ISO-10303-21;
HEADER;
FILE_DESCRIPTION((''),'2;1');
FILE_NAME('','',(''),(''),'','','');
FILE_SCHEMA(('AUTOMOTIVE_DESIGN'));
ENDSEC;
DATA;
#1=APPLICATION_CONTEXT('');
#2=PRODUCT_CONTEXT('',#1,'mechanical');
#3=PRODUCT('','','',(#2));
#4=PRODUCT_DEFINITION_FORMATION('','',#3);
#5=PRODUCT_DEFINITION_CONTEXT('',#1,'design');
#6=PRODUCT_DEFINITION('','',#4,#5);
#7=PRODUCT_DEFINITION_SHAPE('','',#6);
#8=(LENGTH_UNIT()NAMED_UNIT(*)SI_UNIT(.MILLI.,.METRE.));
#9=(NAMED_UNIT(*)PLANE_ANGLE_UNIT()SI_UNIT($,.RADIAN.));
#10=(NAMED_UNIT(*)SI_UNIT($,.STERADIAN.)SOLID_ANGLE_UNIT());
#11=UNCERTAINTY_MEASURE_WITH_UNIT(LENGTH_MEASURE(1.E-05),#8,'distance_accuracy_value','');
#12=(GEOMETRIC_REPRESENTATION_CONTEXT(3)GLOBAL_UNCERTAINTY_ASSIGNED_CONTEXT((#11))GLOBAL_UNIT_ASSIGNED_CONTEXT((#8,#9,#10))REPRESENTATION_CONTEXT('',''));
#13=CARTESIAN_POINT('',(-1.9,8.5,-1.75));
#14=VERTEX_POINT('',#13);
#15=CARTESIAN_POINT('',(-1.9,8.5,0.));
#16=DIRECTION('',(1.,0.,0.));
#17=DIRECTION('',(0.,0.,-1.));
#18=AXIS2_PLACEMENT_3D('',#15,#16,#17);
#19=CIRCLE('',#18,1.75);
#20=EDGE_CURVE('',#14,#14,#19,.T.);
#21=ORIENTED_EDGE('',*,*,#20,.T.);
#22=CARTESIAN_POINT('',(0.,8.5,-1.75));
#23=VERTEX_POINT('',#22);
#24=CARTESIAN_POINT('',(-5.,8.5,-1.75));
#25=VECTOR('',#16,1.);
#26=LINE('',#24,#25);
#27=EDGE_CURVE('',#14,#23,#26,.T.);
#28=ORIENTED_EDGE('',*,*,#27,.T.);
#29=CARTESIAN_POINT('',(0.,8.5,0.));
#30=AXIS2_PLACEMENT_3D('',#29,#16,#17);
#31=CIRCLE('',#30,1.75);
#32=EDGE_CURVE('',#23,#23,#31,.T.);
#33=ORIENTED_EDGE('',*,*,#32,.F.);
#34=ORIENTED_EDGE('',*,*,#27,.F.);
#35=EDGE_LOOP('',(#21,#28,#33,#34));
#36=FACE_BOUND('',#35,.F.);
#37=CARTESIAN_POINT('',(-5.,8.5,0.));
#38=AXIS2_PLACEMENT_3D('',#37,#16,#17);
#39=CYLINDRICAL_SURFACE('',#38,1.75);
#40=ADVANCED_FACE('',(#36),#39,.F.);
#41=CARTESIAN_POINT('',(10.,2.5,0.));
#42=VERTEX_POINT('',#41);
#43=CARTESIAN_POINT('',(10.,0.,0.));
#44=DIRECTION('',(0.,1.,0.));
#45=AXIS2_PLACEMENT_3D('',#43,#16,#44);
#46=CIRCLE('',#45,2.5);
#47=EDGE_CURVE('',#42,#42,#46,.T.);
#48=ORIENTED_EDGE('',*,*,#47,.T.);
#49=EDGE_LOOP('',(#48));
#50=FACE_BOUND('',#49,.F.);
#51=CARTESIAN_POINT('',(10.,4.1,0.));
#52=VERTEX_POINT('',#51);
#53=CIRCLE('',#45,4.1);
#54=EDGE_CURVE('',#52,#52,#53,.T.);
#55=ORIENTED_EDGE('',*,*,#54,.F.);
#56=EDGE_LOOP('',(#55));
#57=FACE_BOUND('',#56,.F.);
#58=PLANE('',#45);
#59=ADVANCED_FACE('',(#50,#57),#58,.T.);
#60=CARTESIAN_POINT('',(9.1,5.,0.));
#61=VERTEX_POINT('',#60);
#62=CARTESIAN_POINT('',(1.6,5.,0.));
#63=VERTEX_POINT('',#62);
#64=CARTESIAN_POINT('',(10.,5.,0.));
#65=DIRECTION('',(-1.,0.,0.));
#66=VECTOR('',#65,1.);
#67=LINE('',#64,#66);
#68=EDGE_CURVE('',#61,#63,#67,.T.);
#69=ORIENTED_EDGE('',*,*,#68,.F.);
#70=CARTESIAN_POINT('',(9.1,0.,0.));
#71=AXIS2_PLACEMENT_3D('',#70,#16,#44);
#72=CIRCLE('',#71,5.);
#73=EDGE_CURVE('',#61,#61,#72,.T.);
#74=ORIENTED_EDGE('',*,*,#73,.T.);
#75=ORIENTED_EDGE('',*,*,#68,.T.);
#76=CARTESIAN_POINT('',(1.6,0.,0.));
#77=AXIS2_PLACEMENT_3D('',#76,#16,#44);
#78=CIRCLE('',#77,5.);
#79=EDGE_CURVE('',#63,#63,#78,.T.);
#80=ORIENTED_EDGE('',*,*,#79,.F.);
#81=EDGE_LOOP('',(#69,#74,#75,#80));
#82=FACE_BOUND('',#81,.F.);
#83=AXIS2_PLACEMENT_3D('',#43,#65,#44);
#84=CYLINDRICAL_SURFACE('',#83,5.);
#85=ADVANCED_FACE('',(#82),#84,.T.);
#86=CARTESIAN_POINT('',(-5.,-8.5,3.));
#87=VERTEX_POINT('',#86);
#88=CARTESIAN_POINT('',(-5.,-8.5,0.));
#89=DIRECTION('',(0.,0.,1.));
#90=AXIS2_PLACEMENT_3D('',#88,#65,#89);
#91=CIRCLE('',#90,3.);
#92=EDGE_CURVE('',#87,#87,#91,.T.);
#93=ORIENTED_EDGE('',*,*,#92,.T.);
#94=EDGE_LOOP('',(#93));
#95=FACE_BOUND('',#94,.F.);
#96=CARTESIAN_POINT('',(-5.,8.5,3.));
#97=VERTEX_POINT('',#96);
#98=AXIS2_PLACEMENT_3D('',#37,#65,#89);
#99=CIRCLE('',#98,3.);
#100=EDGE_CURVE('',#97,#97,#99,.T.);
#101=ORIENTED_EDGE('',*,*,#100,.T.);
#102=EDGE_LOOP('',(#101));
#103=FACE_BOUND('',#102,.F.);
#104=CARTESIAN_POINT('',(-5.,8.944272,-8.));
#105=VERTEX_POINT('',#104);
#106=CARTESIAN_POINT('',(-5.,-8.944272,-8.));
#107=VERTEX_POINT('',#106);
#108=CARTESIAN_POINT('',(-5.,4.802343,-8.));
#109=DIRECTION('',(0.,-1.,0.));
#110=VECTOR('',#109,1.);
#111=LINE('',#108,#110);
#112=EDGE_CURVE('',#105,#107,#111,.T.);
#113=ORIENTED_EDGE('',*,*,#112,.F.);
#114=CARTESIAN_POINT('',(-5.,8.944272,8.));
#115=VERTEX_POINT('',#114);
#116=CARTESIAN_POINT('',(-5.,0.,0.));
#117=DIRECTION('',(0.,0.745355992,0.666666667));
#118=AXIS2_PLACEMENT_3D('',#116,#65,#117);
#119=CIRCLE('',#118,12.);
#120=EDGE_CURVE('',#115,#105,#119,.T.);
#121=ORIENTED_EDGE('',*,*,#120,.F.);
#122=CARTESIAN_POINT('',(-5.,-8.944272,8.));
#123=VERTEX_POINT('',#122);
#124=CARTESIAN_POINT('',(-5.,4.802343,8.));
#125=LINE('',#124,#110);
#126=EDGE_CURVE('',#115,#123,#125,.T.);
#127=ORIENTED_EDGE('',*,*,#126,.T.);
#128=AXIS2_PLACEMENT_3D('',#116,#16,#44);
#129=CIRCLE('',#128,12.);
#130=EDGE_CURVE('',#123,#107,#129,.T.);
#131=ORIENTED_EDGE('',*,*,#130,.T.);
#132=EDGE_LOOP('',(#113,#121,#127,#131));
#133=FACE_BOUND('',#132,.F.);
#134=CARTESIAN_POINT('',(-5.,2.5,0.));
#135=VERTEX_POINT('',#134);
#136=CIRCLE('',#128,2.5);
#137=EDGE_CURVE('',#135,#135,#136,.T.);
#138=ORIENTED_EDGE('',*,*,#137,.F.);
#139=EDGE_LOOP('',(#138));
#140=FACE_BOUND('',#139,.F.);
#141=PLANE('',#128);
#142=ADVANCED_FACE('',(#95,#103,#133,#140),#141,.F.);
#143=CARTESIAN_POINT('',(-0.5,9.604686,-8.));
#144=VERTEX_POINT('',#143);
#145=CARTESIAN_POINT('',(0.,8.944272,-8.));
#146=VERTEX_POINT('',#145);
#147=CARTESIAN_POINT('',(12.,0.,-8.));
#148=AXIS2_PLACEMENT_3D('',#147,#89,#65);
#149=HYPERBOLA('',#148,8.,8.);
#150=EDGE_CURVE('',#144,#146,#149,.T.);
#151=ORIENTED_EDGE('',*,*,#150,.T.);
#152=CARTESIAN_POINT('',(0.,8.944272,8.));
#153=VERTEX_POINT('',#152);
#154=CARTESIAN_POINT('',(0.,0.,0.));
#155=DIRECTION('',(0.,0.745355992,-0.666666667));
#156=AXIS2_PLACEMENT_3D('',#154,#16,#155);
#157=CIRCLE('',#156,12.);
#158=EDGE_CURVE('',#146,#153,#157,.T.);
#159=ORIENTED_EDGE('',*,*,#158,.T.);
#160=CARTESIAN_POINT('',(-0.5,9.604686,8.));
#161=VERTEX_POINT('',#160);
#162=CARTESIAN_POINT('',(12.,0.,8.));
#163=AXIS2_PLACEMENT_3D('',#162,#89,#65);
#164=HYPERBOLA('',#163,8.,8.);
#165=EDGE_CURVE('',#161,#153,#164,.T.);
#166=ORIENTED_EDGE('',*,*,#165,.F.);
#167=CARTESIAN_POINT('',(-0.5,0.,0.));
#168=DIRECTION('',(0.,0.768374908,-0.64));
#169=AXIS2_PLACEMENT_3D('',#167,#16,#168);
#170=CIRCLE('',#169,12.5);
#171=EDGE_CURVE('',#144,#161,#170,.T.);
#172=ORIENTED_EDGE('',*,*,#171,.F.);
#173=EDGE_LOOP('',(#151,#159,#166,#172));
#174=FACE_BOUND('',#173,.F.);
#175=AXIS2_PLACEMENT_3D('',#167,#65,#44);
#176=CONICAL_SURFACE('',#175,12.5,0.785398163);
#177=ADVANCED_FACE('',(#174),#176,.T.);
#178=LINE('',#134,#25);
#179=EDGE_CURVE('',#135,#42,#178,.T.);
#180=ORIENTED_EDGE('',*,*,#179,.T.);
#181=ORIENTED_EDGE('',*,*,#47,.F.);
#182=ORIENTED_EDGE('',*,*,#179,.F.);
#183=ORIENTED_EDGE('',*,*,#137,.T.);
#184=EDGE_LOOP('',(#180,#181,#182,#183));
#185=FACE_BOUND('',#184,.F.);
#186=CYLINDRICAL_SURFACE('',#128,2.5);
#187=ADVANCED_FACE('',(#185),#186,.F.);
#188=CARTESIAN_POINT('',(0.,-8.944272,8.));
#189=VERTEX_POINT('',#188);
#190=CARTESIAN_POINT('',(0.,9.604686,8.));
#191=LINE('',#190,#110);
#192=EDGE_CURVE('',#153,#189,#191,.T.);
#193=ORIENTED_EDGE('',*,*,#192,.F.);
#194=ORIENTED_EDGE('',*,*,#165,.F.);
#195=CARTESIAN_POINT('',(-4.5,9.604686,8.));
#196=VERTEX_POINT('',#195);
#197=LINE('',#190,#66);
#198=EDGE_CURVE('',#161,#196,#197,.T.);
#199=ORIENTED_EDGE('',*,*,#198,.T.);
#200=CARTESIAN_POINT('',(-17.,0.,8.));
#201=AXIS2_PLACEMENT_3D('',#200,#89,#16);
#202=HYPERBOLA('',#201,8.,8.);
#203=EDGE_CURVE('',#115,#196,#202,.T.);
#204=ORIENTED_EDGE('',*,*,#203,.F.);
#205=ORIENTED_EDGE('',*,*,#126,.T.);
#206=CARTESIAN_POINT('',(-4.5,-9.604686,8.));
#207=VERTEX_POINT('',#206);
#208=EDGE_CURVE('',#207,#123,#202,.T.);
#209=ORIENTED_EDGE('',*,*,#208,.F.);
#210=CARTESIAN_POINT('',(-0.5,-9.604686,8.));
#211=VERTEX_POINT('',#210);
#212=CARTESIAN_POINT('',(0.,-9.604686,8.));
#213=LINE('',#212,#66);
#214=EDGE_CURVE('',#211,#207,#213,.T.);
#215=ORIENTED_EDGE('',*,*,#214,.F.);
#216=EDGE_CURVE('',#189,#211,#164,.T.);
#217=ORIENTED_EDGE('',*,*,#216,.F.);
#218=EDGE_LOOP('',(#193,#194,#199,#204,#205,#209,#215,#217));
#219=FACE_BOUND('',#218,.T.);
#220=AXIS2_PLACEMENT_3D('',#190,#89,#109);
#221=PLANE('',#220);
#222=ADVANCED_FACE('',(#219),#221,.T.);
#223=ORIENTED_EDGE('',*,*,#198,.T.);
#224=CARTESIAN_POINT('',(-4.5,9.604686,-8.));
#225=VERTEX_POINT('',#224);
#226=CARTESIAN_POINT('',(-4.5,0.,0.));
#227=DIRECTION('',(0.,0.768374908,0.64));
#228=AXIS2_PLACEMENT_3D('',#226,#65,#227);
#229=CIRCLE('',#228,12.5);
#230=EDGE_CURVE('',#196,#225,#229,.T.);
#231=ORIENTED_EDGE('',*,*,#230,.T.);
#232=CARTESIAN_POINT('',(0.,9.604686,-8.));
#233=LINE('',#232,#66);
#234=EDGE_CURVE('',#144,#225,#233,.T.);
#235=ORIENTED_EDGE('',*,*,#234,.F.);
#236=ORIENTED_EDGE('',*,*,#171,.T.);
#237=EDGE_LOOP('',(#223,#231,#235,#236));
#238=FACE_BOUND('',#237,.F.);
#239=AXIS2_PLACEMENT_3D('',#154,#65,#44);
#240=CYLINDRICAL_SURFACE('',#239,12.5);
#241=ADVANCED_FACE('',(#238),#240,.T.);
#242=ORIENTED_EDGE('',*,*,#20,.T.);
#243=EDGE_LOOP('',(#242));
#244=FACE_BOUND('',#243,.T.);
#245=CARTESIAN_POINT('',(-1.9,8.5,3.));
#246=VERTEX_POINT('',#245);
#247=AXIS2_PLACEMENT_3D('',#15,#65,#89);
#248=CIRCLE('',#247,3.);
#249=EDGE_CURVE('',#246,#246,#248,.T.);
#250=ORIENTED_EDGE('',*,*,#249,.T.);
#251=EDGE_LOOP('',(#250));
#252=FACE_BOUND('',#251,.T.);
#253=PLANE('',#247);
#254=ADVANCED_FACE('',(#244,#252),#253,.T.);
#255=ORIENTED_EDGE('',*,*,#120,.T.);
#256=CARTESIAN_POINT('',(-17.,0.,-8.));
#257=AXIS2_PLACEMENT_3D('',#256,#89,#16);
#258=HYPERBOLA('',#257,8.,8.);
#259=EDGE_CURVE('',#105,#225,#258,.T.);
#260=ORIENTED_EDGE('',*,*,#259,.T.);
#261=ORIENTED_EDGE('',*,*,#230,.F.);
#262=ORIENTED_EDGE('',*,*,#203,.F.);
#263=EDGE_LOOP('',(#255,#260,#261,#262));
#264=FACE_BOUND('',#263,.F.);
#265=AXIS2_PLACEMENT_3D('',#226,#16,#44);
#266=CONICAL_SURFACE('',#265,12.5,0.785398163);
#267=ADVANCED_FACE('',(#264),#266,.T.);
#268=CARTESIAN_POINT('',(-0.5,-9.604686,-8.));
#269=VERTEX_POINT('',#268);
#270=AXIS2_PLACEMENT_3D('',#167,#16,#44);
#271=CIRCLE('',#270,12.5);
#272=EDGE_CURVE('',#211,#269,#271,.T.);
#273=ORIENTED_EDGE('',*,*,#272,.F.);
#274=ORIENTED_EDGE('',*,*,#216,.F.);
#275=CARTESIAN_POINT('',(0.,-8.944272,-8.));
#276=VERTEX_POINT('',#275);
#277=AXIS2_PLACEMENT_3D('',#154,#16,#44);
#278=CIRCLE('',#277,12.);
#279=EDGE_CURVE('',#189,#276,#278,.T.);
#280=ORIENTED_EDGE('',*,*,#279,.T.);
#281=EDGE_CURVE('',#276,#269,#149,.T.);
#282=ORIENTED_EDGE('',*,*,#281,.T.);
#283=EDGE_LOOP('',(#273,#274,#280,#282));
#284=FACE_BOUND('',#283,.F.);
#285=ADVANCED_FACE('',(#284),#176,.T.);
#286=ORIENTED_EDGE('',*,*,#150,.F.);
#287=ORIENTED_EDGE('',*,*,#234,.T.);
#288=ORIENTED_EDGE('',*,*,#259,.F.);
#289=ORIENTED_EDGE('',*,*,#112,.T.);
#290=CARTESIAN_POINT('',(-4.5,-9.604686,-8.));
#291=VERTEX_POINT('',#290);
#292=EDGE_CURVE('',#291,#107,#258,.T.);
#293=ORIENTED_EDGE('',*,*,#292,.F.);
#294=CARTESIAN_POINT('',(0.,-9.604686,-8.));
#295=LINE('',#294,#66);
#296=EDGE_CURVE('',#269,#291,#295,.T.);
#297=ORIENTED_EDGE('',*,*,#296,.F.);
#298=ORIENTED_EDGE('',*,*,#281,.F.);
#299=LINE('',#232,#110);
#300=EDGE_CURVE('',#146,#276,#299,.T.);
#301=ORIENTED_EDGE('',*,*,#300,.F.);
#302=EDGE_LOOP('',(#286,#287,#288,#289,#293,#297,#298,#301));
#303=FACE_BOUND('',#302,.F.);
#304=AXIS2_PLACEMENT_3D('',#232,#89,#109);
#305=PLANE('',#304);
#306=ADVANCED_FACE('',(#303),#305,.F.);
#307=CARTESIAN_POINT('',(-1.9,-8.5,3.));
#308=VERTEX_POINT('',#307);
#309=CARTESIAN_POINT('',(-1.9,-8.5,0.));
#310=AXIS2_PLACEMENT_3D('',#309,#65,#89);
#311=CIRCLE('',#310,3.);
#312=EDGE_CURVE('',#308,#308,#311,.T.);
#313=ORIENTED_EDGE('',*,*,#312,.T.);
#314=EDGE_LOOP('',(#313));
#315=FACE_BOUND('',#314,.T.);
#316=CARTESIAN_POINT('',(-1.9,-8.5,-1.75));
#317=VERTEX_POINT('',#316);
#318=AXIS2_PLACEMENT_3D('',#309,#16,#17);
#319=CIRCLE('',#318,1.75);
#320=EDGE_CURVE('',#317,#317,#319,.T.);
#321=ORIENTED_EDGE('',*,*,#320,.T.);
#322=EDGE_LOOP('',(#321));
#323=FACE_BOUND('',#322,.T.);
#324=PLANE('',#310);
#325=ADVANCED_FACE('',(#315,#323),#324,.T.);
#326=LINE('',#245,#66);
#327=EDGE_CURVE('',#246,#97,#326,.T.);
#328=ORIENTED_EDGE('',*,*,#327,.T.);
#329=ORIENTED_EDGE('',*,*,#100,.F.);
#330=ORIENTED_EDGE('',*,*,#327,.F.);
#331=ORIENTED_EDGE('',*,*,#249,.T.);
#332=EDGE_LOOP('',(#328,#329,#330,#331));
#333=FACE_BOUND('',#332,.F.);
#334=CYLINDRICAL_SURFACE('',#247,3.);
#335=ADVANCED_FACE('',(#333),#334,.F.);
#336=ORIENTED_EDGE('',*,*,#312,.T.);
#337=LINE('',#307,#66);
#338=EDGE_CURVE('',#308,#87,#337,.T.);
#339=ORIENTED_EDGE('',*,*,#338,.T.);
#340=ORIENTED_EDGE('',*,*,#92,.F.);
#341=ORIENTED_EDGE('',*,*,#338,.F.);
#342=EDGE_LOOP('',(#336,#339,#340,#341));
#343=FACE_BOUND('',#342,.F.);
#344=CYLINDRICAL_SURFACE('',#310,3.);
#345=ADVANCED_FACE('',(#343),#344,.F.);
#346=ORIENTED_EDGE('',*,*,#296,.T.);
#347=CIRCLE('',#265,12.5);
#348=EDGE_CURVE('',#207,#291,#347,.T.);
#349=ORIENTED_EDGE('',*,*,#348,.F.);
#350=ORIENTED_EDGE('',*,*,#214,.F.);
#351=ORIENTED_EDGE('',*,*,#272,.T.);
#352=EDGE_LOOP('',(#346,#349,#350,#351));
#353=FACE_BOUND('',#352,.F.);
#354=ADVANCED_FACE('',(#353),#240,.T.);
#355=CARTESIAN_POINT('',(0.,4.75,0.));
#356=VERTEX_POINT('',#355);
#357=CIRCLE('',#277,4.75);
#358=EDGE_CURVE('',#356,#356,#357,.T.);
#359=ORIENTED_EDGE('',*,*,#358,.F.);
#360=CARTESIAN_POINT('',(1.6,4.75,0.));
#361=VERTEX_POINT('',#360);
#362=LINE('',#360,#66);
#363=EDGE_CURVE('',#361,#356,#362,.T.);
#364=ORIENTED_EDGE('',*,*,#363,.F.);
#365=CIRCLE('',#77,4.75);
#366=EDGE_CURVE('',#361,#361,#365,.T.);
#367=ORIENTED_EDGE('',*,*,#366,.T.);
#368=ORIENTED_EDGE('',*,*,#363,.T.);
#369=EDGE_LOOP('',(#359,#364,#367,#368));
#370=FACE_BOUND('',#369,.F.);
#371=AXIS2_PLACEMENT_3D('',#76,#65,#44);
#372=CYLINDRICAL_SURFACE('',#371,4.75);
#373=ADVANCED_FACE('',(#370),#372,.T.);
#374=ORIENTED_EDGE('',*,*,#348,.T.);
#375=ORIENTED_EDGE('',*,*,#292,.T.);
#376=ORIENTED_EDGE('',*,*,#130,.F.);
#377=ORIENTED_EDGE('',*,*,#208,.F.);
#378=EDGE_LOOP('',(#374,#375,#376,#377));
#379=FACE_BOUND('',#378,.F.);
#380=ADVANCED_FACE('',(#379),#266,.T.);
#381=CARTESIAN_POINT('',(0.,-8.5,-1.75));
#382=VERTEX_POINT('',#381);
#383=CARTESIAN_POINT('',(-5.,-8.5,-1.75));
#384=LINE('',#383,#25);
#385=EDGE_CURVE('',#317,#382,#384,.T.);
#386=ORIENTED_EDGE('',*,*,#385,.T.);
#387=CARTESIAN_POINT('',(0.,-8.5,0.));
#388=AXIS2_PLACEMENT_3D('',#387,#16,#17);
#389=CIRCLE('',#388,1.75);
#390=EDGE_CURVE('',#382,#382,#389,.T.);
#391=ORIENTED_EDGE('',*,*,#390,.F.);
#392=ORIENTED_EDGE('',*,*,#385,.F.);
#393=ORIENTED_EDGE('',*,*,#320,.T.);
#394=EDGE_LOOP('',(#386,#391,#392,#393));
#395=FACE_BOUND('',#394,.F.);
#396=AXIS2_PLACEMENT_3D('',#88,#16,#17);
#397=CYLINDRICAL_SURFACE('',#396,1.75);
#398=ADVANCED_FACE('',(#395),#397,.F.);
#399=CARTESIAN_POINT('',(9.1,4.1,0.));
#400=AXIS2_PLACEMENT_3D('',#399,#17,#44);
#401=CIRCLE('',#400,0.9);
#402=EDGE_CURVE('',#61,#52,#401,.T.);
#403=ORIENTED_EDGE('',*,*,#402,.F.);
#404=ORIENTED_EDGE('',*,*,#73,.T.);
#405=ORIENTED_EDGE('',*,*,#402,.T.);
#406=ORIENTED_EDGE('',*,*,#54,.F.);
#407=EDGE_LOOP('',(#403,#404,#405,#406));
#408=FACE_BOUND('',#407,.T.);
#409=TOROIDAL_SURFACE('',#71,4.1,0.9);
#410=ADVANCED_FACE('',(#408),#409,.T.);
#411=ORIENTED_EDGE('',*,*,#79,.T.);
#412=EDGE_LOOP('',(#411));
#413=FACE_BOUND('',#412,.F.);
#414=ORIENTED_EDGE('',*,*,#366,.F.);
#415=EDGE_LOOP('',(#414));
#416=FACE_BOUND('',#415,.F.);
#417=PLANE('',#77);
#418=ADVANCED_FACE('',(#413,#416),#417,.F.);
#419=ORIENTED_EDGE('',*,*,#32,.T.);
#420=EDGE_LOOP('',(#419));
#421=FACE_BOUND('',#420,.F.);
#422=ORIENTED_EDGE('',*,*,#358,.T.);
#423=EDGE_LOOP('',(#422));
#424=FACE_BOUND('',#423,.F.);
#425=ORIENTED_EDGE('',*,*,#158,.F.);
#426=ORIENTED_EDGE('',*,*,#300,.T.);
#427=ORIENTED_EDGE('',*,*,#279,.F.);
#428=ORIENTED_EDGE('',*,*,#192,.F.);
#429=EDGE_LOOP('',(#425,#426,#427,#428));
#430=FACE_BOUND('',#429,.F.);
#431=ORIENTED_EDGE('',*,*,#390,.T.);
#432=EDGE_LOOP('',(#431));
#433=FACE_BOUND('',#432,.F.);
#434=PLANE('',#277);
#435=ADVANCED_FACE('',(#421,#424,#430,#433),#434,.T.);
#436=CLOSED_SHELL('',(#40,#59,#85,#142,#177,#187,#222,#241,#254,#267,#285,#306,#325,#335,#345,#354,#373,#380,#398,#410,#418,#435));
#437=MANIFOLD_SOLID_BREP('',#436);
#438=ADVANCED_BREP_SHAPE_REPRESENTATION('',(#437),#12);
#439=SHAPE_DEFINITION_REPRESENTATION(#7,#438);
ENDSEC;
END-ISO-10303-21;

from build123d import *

# Parameters (mm, degrees)
CHAMFER1_SIZE          = 0.5
FILLET1_R              = 0.9
CUT_EXTRUDE2_DEPTH     = 6
CAP_SCREW2_D           = 3.5
CAP_SCREW2_CBORE_D     = 6
CAP_SCREW2_CBORE_DEPTH = 3.1


with BuildPart() as part:
    # Sketch1 → Revolve1 (revolve)
    with BuildSketch(Plane.XY):
        Polygon((-5, 2.5), (10, 2.5), (10, 5), (1.6, 5), (1.6, 4.75), (0, 4.75), (0, 12.5), (-5, 12.5), align=None)
    revolve(axis=Axis((-5, 0, 0), (1, 0, 0)))

    # Chamfer1
    chamfer1_edges = [part.edges().sort_by_distance(p)[0] for p in [
        (0, -12.5, 0),
        (-5, -12.5, 0),
    ]]
    chamfer(chamfer1_edges, length=CHAMFER1_SIZE)

    # Fillet1
    fillet1_edges = [part.edges().sort_by_distance(p)[0] for p in [
        (10, -5, 0),
    ]]
    fillet(fillet1_edges, radius=FILLET1_R)

    # Sketch5 → Cut-Extrude2 (cut, through all)
    with BuildSketch(Plane.ZY):
        with BuildLine():
            Line((-8, 9.604686356), (-8, -9.604686356))
            ThreePointArc((-8, -9.604686356), (-12.5, 0), (-8, 9.604686356))
        make_face()
        with BuildLine():
            Line((8, 9.604686356), (8, -9.604686356))
            ThreePointArc((8, -9.604686356), (12.5, 0), (8, 9.604686356))
        make_face()
    extrude(amount=CUT_EXTRUDE2_DEPTH, mode=Mode.SUBTRACT)

    # Cap Screw2 (through all)
    with Locations(Plane.ZY.offset(5)):
        with Locations((0, -8.5), (0, 8.5)):
            CounterBoreHole(CAP_SCREW2_D / 2, CAP_SCREW2_CBORE_D / 2, CAP_SCREW2_CBORE_DEPTH)


solid = part.part
